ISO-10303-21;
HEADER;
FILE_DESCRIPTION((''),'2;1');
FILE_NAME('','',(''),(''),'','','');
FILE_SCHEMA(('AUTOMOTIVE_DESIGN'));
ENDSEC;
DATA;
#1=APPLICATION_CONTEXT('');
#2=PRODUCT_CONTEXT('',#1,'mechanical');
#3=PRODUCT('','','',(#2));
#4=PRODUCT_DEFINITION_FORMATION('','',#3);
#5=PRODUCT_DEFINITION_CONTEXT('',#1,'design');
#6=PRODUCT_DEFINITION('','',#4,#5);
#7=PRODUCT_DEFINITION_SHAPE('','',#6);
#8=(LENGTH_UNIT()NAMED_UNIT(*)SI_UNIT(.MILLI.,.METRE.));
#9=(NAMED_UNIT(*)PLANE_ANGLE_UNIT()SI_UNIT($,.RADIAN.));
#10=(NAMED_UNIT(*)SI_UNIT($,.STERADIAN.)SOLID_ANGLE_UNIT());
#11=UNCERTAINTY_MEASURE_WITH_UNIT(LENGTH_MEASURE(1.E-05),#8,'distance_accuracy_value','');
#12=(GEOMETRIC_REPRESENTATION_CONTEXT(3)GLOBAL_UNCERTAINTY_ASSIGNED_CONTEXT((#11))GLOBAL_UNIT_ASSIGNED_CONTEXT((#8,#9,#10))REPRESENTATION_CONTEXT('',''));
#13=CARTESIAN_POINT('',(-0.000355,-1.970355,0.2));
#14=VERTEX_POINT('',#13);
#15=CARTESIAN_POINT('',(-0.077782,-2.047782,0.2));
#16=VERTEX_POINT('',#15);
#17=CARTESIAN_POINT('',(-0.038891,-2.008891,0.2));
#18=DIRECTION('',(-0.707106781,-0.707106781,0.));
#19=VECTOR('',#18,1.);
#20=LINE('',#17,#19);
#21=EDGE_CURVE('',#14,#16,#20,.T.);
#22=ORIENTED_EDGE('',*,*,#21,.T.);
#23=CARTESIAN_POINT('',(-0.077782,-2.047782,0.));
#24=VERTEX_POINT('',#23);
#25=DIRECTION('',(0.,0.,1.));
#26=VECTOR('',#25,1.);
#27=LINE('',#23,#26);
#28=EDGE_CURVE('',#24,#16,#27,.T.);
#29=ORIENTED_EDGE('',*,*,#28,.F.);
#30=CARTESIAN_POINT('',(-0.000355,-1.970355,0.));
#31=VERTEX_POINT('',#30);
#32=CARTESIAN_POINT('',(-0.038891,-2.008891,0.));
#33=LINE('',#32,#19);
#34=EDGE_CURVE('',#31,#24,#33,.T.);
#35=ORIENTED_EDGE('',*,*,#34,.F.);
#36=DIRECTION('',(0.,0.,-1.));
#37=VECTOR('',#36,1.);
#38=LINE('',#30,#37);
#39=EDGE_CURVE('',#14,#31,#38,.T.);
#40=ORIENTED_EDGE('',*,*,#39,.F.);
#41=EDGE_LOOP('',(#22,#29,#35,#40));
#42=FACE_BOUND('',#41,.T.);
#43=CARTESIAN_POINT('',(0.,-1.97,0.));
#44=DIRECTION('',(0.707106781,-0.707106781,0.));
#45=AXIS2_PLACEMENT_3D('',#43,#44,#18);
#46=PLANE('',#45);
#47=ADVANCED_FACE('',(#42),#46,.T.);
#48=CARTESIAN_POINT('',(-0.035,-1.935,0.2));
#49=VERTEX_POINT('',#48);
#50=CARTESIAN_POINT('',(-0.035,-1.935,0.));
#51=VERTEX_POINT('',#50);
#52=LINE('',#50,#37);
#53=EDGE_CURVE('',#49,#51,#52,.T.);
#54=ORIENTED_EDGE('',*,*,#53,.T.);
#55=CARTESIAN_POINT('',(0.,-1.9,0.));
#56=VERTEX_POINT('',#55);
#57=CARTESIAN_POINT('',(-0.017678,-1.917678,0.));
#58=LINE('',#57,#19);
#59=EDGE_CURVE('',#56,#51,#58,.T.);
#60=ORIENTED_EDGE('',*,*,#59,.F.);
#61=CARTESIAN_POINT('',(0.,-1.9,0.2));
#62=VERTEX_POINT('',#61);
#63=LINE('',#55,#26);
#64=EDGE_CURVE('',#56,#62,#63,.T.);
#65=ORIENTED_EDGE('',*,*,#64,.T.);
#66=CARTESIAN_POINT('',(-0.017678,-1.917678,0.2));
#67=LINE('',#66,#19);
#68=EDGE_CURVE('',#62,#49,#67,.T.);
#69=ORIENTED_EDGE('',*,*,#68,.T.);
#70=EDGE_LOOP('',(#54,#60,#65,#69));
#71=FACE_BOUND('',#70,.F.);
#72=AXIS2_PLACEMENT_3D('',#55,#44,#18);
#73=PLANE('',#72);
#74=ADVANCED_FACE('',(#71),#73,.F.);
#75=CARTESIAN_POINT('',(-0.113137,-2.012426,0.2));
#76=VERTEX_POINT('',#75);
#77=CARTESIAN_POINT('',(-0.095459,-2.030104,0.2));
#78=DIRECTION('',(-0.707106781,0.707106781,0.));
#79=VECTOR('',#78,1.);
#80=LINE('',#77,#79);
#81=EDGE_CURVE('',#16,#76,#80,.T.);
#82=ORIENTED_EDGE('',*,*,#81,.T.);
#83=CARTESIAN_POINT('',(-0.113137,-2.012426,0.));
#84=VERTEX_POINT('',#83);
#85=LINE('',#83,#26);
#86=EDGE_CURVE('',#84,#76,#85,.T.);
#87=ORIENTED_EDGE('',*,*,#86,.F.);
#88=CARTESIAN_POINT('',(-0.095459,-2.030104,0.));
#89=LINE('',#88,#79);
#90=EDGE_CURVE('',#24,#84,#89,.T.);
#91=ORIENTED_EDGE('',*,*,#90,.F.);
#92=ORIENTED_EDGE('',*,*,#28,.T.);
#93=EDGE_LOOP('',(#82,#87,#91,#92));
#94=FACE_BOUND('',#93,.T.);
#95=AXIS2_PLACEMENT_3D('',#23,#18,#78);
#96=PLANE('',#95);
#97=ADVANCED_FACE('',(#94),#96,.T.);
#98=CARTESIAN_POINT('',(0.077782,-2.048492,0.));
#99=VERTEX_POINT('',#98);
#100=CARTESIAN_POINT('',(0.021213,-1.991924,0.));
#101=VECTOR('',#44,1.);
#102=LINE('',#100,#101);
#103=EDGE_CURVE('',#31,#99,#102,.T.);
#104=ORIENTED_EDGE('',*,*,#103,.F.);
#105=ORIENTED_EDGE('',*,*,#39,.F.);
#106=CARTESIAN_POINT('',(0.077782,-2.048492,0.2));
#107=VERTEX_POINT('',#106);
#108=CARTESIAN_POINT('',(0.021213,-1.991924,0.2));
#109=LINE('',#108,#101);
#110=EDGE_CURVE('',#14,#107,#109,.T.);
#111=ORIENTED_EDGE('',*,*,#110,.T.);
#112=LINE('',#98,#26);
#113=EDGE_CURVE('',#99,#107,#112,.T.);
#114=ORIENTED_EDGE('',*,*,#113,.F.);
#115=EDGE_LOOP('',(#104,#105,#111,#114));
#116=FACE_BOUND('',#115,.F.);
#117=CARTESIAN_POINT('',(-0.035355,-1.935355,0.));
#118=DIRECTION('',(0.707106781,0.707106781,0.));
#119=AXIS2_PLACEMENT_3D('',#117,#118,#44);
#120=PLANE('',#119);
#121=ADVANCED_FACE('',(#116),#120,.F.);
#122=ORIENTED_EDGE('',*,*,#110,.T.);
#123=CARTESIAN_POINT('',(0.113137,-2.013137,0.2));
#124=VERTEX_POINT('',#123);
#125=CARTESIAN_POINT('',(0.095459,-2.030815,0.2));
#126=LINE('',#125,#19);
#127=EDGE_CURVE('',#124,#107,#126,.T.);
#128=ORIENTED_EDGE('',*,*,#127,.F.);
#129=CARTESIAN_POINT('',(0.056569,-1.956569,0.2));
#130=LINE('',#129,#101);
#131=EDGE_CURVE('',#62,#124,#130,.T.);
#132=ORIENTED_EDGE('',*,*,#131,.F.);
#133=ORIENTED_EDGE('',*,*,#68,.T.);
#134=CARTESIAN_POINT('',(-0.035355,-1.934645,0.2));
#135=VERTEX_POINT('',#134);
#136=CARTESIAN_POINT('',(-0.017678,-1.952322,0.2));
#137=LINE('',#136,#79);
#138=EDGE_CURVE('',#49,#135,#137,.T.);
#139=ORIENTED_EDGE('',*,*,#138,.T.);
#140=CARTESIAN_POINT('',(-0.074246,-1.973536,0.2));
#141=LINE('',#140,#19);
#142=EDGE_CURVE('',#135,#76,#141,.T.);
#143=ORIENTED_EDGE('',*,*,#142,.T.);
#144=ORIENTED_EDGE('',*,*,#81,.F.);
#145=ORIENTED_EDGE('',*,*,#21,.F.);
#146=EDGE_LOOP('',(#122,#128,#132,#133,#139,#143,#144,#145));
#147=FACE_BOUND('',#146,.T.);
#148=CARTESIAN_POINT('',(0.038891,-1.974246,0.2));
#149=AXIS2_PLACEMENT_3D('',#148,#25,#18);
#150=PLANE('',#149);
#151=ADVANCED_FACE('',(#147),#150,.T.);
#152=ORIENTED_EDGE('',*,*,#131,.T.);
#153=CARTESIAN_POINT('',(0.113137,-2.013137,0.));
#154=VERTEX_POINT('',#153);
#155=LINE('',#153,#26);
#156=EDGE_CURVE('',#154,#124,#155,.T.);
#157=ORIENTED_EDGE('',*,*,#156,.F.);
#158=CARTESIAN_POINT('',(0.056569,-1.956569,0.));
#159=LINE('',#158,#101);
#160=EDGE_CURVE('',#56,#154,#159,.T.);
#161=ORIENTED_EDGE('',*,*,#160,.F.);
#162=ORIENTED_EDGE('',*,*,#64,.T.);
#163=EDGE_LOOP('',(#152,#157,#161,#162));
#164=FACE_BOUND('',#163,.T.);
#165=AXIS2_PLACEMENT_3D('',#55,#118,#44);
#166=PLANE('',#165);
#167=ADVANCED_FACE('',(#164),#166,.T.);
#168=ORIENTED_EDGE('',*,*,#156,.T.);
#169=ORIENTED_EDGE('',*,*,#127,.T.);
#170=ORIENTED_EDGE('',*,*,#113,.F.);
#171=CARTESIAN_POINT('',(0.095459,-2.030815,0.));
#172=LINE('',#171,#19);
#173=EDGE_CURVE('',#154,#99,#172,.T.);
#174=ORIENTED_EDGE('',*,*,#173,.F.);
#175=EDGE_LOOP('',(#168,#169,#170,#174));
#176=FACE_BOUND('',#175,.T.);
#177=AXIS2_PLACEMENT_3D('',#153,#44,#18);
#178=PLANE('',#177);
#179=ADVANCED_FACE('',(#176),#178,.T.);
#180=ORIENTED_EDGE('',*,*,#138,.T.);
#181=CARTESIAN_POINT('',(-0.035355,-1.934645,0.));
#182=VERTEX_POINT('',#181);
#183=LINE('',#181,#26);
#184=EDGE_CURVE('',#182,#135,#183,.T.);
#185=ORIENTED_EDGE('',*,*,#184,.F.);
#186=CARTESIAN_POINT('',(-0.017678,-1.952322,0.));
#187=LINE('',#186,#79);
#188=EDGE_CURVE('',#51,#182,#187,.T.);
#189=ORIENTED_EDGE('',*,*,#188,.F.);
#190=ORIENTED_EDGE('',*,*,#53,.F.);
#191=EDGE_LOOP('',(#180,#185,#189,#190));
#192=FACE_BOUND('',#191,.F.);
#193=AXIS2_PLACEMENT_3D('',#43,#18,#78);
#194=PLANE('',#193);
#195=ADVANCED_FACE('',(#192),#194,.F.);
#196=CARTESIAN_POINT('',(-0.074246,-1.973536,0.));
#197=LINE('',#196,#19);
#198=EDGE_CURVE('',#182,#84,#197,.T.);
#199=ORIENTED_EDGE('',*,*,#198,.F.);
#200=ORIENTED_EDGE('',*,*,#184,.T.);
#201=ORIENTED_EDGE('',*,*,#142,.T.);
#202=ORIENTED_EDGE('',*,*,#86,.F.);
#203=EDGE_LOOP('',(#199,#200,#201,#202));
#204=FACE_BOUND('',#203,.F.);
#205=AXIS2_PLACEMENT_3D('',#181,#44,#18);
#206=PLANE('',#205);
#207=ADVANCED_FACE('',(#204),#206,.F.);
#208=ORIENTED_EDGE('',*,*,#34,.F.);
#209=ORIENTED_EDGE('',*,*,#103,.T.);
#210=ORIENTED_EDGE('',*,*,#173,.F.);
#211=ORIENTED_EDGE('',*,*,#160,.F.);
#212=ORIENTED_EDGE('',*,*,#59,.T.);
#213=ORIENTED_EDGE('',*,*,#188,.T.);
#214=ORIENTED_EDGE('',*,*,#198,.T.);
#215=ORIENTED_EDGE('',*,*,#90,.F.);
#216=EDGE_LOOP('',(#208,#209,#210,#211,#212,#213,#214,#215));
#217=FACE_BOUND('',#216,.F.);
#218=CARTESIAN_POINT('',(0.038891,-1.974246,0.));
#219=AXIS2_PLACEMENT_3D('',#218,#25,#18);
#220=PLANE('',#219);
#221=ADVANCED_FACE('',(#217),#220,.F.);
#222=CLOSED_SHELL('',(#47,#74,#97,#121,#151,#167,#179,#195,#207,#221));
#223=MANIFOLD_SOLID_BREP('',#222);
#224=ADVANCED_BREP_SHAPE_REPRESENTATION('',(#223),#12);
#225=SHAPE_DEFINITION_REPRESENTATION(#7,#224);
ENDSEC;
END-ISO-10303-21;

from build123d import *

# Parameters (mm, degrees)
BOX005_W                  = 0.05
BOX005_H                  = 0.11
BOX005_DEPTH              = 0.2
BOX005_PLACEMENT_ANGLE    = -45
BOX004_W                  = 0.05
BOX004_H                  = 0.16
BOX004_DEPTH              = 0.2
BOX004_PLACEMENT_ANGLE    = 45
FUSION002_PLACEMENT_ANGLE = 180


with BuildPart() as kub005:
    # Box005 → Box005 (new body)
    with BuildSketch(Plane.XY):
        with Locations((0.025, 0.055)):
            Rectangle(BOX005_W, BOX005_H)
    extrude(amount=BOX005_DEPTH)


with BuildPart() as kub005_1:
    # Box005 placement: moved
    add(kub005.part.moved(Location((0, 1.97, 0))).rotate(Axis((0, 1.97, 0), (0, 0, 1)), BOX005_PLACEMENT_ANGLE))


with BuildPart() as fusion002:
    # Box004 → Box004 (new body)
    with BuildSketch(Plane.XY):
        with Locations((0.025, 0.08)):
            Rectangle(BOX004_W, BOX004_H)
    extrude(amount=BOX004_DEPTH)


with BuildPart() as fusion002_1:
    # Box004 placement: moved
    add(fusion002.part.moved(Location((0, 1.9, 0))).rotate(Axis((0, 1.9, 0), (0, 0, 1)), BOX004_PLACEMENT_ANGLE))

    # Fusion002: union Kub005
    add(kub005_1.part)


with BuildPart() as fusion002_2:
    # Fusion002 placement: moved
    add(fusion002_1.part.rotate(Axis((0, 0, 0), (0, 0, 1)), FUSION002_PLACEMENT_ANGLE))


solid = fusion002_2.part
